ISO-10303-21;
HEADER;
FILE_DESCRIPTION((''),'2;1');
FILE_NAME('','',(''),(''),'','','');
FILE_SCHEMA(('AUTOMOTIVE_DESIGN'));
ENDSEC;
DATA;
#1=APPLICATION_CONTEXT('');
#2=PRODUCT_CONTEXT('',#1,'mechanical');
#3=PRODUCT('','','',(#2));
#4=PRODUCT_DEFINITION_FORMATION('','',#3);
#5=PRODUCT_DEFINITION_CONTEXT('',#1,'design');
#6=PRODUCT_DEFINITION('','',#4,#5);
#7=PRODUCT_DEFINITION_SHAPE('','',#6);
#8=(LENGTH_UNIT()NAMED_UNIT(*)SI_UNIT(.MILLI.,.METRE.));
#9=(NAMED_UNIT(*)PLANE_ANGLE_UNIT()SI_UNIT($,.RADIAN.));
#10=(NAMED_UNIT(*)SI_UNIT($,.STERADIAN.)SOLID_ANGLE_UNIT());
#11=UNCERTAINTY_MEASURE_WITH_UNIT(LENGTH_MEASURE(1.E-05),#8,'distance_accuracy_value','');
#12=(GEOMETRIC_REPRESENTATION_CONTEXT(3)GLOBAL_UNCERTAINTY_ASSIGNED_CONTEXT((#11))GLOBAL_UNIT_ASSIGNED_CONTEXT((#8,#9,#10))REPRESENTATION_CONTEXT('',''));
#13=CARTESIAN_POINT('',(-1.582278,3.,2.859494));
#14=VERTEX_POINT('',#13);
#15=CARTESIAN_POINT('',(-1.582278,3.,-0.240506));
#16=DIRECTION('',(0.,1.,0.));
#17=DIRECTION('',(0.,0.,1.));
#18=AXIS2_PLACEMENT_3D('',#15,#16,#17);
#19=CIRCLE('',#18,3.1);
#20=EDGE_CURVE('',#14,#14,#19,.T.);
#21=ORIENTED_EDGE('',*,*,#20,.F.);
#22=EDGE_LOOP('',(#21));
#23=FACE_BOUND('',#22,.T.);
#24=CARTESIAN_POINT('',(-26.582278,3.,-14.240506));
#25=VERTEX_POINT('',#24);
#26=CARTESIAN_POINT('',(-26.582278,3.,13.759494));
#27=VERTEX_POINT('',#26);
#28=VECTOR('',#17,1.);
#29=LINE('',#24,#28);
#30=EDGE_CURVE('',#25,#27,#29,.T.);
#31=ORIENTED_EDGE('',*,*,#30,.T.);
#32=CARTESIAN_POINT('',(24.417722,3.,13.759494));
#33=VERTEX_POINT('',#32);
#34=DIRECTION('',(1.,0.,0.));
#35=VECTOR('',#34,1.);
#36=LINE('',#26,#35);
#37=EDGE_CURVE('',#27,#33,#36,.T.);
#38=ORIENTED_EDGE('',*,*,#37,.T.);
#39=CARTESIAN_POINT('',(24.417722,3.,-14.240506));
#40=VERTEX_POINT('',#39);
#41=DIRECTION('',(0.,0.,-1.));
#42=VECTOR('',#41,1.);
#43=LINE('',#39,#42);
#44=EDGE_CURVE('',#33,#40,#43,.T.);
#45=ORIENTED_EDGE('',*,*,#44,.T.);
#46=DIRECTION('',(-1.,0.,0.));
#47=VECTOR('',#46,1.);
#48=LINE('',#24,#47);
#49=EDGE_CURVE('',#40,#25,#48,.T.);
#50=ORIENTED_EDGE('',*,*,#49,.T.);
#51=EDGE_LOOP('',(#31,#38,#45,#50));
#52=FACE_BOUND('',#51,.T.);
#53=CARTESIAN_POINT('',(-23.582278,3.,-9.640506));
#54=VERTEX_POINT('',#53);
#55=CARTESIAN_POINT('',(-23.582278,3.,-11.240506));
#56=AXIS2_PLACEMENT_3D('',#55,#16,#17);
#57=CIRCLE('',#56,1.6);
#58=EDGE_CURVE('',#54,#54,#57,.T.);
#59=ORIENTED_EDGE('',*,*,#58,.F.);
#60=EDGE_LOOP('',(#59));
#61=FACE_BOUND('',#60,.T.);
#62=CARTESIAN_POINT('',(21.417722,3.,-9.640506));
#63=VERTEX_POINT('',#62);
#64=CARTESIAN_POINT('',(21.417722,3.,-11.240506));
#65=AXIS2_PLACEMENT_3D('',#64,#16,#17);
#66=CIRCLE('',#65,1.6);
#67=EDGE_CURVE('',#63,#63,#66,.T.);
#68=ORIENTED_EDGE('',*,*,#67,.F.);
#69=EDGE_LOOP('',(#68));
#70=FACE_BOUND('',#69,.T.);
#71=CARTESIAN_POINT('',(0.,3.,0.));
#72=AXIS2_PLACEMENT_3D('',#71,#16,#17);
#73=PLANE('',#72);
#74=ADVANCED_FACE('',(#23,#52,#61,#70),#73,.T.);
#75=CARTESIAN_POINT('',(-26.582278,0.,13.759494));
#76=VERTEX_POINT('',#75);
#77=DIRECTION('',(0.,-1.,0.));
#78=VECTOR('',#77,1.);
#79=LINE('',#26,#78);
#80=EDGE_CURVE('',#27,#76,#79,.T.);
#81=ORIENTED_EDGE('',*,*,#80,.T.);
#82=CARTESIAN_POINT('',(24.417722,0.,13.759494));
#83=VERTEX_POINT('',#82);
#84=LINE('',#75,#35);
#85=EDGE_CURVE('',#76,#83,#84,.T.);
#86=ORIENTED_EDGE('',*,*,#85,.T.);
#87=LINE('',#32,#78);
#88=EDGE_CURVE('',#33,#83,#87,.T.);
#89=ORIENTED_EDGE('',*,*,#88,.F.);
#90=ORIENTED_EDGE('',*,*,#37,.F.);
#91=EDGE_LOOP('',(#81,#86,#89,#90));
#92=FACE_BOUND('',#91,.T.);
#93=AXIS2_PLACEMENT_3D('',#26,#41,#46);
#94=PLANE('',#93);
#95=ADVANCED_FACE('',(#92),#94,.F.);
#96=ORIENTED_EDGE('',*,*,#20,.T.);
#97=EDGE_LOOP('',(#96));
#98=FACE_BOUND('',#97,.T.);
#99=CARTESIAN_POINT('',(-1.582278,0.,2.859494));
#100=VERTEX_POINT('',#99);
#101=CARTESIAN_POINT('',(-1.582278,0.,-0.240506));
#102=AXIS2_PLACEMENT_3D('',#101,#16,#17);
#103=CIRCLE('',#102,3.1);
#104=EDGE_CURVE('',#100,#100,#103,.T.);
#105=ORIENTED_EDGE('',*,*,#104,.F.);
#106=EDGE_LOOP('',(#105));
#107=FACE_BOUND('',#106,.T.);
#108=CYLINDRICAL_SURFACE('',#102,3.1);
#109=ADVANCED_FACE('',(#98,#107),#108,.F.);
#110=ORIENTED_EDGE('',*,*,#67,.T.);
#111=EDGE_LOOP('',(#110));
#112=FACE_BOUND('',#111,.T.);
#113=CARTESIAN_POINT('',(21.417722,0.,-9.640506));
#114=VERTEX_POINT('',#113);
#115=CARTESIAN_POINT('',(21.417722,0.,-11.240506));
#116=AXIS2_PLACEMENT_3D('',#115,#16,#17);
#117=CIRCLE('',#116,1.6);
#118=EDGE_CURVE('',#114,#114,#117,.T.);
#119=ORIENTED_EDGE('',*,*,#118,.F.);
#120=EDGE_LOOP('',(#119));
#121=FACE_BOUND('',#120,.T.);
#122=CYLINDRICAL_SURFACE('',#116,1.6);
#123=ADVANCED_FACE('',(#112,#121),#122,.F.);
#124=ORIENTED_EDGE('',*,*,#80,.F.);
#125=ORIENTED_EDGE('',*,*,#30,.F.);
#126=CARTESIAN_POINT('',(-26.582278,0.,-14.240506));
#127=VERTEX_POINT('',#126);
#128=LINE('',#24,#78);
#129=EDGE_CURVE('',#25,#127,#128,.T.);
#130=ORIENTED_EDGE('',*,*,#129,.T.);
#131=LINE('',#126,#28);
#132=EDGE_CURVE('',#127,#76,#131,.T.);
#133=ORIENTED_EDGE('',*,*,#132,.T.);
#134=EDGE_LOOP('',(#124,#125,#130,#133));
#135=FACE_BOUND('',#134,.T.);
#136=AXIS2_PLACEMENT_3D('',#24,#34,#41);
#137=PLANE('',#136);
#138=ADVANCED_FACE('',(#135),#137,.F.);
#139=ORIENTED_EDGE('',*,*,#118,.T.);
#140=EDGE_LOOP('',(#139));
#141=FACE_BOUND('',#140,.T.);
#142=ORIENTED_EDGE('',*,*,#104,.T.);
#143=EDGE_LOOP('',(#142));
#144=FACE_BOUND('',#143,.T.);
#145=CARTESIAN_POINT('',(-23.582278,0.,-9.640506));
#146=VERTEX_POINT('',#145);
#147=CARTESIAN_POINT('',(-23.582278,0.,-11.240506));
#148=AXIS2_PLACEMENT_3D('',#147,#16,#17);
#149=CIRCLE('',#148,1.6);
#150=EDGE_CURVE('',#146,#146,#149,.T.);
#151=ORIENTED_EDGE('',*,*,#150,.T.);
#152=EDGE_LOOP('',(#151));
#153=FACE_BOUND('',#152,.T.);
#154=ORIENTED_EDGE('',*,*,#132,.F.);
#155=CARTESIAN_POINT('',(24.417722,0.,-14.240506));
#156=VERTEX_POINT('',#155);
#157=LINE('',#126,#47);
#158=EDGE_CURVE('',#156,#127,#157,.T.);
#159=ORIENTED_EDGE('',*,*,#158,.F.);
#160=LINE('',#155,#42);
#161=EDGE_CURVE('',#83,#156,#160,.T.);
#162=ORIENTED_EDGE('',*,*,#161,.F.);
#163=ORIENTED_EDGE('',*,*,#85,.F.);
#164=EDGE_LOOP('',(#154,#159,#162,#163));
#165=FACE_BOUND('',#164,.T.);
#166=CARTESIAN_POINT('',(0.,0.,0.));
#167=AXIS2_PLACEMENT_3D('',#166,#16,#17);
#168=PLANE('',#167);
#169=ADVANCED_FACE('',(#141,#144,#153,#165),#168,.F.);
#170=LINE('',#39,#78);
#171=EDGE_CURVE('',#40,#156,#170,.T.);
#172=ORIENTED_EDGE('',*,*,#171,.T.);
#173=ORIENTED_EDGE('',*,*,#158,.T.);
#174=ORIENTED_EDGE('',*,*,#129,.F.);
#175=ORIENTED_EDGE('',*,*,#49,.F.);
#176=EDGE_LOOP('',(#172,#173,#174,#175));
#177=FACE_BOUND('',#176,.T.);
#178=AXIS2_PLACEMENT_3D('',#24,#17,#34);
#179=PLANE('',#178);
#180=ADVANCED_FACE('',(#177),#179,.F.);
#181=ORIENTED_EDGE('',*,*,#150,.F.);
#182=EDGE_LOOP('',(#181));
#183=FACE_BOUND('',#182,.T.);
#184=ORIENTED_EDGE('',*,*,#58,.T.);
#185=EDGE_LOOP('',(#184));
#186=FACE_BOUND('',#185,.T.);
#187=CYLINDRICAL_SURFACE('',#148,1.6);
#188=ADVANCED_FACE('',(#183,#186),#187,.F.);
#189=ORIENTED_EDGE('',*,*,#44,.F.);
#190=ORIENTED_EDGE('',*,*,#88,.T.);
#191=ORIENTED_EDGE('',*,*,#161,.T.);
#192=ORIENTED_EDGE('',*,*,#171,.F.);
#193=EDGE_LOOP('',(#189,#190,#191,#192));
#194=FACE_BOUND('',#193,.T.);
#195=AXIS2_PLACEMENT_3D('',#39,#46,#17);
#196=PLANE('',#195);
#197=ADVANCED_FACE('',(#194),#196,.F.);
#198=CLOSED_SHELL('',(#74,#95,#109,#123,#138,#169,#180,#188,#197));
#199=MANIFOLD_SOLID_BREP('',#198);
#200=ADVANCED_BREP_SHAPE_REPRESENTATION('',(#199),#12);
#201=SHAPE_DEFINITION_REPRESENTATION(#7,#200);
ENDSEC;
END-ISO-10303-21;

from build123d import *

# Parameters (mm, degrees)
SKETCH1_W           = 51
SKETCH1_H           = 28
BOSS_EXTRUDE1_DEPTH = 3
SKETCH2_R           = 1.6
CUT_EXTRUDE1_DEPTH  = 3
SKETCH3_R           = 3.1
CUT_EXTRUDE2_DEPTH  = 3


with BuildPart() as part:
    # Sketch1 → Boss-Extrude1 (new body)
    with BuildSketch(Plane(origin=(0, 0, 0), x_dir=(1, 0, 0), z_dir=(0, 1, 0))):
        with Locations((-1.082278481, 0.240506329)):
            Rectangle(SKETCH1_W, SKETCH1_H)
    extrude(amount=BOSS_EXTRUDE1_DEPTH)

    # Sketch2 → Cut-Extrude1 (cut)
    with BuildSketch(Plane(origin=(0, 3, 0), x_dir=(1, 0, 0), z_dir=(0, 1, 0))):
        with Locations((-23.582278481, 11.240506329)):
            Circle(SKETCH2_R)
        with Locations((21.417721519, 11.240506329)):
            Circle(SKETCH2_R)
    extrude(amount=-CUT_EXTRUDE1_DEPTH, mode=Mode.SUBTRACT)

    # Sketch3 → Cut-Extrude2 (cut)
    with BuildSketch(Plane(origin=(0, 3, 0), x_dir=(1, 0, 0), z_dir=(0, 1, 0))):
        with Locations((-1.582278481, 0.240506329)):
            Circle(SKETCH3_R)
    extrude(amount=-CUT_EXTRUDE2_DEPTH, mode=Mode.SUBTRACT)


solid = part.part
